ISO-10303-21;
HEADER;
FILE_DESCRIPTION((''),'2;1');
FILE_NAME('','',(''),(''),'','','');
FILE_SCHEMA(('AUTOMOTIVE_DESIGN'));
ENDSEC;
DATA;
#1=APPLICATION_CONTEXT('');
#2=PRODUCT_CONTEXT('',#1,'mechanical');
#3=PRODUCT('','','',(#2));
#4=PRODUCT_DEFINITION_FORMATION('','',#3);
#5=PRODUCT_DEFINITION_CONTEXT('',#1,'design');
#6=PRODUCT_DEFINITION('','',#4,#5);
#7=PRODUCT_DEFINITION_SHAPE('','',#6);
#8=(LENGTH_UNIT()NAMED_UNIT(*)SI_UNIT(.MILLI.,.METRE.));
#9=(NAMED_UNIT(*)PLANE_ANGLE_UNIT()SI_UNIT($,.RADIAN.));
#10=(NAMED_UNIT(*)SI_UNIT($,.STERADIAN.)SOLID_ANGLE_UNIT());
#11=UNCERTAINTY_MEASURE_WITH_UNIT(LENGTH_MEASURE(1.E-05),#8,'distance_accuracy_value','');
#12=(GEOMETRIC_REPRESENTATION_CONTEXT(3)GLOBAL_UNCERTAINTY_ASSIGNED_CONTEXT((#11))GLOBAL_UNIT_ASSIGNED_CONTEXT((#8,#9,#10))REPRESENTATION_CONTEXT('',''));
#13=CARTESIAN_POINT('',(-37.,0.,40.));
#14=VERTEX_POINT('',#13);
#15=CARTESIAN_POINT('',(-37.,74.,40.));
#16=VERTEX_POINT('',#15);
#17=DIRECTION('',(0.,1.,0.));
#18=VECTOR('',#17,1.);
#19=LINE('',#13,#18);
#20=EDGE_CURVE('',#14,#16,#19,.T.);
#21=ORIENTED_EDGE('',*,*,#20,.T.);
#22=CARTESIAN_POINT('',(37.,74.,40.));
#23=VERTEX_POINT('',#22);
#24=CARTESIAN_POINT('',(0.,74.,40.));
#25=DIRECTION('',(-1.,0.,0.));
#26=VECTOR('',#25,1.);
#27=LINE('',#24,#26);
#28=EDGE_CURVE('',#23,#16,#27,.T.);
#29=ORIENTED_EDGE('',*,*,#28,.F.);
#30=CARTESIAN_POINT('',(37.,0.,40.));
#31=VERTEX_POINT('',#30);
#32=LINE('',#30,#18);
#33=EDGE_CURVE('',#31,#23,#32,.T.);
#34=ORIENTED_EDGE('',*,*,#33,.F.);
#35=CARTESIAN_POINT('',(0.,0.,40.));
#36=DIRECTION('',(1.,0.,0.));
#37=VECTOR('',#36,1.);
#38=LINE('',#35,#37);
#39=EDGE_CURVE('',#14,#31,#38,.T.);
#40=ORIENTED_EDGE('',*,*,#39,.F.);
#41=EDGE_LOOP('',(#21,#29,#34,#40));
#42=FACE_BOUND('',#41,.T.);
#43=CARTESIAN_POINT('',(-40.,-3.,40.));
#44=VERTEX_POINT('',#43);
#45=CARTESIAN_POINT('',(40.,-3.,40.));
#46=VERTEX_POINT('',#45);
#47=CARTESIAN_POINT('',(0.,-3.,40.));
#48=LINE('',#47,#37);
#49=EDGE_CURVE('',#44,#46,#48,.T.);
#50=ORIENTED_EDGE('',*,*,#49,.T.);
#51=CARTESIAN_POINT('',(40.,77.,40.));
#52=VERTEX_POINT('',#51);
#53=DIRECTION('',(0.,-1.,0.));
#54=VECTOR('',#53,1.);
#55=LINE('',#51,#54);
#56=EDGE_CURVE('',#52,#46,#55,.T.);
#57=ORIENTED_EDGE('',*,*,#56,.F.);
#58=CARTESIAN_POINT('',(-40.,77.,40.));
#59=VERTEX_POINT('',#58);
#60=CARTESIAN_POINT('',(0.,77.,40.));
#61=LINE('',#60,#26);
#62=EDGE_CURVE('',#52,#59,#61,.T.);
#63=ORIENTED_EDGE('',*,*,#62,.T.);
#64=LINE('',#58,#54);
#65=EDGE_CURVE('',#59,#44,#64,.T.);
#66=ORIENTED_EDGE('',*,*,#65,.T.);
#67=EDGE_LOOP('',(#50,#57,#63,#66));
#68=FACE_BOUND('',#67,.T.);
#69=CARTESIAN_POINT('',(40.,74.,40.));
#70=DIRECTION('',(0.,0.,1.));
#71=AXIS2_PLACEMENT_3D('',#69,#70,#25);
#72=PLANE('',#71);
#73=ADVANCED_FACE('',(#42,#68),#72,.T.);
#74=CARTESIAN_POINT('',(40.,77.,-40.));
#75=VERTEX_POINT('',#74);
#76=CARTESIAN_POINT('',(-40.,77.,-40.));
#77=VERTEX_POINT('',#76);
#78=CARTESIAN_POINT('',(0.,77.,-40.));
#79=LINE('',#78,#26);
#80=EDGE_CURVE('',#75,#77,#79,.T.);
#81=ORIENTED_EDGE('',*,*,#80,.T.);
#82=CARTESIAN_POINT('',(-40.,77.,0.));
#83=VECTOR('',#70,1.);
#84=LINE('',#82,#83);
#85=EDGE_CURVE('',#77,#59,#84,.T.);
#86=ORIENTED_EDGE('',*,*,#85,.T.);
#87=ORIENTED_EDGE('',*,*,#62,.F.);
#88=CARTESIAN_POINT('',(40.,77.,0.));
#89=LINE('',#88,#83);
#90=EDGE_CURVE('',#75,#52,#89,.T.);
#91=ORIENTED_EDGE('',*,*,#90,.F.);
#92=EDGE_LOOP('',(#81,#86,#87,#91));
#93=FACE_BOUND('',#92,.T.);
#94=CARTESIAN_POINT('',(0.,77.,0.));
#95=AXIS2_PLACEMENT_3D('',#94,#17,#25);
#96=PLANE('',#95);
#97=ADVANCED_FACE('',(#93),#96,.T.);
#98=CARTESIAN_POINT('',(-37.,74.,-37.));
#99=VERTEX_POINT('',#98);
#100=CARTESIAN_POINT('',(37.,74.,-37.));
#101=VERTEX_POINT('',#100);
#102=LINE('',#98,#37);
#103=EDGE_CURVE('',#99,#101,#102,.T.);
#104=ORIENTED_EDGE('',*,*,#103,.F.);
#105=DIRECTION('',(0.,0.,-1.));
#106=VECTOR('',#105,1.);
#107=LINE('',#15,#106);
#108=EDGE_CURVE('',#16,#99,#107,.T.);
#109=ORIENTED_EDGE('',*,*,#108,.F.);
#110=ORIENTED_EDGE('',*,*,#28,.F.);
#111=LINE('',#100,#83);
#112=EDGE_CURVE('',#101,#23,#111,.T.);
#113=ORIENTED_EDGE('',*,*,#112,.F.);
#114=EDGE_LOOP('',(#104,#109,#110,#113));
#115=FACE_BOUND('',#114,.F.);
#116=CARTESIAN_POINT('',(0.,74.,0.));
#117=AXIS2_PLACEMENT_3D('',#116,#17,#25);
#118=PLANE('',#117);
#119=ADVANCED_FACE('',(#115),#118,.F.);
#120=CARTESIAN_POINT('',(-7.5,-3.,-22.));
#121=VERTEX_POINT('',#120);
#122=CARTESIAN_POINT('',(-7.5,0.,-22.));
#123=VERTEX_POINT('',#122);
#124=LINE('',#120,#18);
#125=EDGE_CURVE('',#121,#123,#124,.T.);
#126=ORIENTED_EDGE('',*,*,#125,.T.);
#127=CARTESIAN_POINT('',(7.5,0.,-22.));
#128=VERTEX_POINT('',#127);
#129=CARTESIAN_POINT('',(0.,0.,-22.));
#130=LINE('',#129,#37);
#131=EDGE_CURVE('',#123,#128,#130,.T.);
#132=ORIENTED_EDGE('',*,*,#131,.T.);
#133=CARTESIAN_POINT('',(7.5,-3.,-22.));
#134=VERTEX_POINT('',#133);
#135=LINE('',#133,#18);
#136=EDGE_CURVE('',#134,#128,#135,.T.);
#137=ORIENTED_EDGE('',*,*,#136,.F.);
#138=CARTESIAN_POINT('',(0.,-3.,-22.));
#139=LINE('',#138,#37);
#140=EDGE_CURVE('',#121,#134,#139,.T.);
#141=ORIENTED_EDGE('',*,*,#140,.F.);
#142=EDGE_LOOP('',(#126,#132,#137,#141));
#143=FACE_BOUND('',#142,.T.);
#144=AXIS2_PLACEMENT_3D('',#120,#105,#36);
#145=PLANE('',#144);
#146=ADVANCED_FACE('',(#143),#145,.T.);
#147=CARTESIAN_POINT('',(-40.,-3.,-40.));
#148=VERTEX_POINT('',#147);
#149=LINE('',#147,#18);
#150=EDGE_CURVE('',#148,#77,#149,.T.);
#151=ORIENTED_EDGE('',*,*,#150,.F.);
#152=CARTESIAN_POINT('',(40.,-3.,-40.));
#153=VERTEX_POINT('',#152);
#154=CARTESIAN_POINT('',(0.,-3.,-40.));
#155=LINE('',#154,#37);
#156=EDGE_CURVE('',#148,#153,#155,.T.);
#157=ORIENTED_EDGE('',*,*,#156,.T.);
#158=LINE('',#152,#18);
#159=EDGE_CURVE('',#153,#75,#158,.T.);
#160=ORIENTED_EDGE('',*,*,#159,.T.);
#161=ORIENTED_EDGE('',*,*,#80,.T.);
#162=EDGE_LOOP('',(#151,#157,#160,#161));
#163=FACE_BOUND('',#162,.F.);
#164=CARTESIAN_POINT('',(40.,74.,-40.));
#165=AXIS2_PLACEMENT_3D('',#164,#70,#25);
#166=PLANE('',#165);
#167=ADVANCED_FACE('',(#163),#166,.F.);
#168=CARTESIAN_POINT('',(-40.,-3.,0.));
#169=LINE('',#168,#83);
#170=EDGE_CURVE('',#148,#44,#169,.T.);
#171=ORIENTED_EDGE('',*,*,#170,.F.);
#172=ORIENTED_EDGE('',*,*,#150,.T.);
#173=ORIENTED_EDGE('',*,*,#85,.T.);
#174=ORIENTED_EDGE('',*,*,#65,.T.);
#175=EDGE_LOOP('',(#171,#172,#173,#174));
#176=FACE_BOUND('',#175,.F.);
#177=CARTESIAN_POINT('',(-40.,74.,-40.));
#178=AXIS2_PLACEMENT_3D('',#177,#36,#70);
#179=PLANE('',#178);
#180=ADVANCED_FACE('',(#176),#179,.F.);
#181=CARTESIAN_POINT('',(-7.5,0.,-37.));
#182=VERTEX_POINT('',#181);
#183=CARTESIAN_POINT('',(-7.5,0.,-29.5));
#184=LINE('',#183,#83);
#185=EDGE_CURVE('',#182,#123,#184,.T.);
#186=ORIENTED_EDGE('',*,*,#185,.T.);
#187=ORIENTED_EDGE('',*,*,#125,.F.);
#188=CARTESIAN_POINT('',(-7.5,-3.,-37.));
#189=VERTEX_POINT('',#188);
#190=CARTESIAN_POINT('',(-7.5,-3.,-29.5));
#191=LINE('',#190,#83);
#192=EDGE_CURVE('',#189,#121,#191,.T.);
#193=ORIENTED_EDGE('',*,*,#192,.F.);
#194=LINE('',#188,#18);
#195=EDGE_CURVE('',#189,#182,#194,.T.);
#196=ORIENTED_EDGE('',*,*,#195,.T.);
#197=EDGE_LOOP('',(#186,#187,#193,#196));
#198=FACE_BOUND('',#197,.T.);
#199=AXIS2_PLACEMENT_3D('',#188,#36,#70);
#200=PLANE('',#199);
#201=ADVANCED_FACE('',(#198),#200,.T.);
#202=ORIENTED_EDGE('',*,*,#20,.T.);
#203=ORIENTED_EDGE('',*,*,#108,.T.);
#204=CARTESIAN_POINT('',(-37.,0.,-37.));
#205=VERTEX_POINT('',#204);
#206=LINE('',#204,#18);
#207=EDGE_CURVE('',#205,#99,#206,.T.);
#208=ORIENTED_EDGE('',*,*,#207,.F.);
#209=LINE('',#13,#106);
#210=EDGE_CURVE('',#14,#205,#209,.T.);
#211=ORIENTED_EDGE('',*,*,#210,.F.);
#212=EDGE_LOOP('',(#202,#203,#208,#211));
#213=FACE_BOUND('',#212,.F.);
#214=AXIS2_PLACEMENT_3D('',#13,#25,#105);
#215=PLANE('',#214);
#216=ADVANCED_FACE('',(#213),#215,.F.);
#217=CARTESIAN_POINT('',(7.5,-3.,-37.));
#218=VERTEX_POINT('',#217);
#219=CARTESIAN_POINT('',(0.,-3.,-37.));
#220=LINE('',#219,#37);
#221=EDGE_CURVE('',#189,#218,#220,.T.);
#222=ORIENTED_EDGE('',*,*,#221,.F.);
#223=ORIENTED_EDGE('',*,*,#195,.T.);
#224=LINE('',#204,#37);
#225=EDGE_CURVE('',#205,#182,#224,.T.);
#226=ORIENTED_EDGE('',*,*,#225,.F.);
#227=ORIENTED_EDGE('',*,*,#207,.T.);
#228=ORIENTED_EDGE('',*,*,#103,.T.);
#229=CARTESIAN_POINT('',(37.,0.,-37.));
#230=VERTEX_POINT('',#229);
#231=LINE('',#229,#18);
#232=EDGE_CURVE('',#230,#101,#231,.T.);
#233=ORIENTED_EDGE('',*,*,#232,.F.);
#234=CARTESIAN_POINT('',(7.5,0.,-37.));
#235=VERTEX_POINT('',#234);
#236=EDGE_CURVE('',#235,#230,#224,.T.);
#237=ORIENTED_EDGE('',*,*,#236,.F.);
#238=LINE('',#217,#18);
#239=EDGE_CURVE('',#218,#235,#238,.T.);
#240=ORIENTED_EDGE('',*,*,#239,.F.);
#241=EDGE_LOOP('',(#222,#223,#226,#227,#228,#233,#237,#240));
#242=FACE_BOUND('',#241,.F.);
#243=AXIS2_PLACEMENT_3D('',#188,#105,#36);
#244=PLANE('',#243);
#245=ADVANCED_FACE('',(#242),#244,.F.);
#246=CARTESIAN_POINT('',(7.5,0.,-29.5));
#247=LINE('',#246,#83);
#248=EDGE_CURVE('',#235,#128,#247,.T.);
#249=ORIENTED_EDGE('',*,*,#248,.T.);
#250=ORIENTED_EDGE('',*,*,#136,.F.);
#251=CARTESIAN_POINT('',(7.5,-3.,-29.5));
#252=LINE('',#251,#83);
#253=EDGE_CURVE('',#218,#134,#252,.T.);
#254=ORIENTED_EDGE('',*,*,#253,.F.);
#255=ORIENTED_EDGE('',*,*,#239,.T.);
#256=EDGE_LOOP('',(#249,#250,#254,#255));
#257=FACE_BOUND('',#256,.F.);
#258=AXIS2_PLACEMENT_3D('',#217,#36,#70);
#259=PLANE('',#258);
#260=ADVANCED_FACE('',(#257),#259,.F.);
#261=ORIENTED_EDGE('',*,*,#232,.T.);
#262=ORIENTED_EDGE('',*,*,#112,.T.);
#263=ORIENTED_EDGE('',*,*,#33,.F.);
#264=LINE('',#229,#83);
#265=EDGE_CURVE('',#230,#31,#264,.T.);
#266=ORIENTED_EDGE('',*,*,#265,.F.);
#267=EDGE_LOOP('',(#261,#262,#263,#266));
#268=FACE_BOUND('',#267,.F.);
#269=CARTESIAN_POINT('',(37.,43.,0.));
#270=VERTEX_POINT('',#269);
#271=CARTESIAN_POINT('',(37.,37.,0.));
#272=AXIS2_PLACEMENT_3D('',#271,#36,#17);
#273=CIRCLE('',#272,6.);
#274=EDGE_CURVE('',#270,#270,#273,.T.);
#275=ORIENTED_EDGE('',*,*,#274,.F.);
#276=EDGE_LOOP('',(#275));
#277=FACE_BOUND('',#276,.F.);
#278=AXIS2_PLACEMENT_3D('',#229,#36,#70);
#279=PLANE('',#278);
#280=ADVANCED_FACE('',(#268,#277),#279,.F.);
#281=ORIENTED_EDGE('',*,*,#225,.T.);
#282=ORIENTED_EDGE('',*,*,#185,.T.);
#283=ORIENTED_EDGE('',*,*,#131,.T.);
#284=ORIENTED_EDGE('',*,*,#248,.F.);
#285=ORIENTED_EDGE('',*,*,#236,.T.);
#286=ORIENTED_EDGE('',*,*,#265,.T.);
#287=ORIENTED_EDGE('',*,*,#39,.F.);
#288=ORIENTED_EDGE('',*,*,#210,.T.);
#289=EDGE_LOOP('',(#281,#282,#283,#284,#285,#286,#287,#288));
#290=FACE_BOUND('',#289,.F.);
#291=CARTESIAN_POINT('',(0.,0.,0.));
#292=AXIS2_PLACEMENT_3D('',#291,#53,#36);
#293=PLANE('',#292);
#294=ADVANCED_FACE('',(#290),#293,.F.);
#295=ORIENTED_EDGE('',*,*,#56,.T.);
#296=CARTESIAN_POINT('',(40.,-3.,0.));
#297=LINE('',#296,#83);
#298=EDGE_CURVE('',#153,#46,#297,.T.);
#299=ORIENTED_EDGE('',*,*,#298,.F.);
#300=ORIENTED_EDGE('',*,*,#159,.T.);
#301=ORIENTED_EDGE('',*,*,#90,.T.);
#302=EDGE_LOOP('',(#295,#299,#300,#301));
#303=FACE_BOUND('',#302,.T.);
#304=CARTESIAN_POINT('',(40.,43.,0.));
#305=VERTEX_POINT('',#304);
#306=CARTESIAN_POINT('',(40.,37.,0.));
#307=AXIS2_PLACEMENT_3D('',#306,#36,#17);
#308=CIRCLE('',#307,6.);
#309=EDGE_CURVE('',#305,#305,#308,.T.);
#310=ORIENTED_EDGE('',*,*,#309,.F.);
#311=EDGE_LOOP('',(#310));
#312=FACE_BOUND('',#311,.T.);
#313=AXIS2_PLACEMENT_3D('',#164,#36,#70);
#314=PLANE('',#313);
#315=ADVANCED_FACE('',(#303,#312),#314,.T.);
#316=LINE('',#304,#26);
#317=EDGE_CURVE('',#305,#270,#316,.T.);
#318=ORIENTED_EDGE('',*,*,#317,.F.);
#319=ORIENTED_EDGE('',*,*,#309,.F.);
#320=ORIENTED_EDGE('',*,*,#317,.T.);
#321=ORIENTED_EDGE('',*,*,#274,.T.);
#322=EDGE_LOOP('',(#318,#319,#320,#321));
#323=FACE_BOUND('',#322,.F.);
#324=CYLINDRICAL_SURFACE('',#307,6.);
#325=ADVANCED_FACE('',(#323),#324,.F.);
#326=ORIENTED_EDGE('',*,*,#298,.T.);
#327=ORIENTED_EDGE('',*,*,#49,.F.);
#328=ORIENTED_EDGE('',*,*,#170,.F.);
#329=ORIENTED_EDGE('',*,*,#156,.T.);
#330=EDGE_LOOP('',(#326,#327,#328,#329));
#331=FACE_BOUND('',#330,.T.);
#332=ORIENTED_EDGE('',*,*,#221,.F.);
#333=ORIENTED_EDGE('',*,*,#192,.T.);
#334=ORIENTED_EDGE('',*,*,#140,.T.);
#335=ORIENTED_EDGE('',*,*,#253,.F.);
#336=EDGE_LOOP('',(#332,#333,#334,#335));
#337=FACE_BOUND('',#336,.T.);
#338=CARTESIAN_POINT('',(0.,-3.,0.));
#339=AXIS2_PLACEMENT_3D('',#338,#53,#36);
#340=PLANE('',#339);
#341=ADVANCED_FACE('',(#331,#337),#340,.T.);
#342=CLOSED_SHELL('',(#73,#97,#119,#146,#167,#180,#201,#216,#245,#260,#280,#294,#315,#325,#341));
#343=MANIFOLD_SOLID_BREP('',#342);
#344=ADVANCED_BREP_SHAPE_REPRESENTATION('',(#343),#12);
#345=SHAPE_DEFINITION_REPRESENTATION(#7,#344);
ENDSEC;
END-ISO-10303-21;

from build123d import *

# Parameters (mm, degrees)
F0_W     = 80
F0_H     = 80
F1_DEPTH = 3
F3_DEPTH = 74
F4_W     = 80
F4_H     = 80
F5_DEPTH = 3
F6_R     = 6
F7_DEPTH = 3
F8_W     = 15
F8_H     = 15
F9_DEPTH = 3


with BuildPart() as f1:
    # F0 (on Front) → F1 (new body)
    with BuildSketch(Plane.XZ):
        Rectangle(F0_W, F0_H)
    extrude(amount=F1_DEPTH)

    # F2 (on face) → F3 (join)
    with BuildSketch(Plane(origin=(0, 0, 0), x_dir=(-1, 0, 0), z_dir=(0, 1, 0))):
        Polygon((-40, -40), (40, -40), (40, 40), (37, 40), (37, 37), (37, -37), (-37, -37), (-37, 37), (-37, 40), (-40, 40), align=None)
    extrude(amount=F3_DEPTH)

    # F4 (on face) → F5 (join)
    with BuildSketch(Plane(origin=(0, 74, 0), x_dir=(-1, 0, 0), z_dir=(0, 1, 0))):
        Rectangle(F4_W, F4_H)
    extrude(amount=F5_DEPTH)

    # F6 (on face) → F7 (cut)
    with BuildSketch(Plane.YZ.offset(40)):
        with Locations((37, 0)):
            Circle(F6_R)
    extrude(amount=-F7_DEPTH, mode=Mode.SUBTRACT)

    # F8 (on face) → F9 (cut)
    with BuildSketch(Plane.XZ.offset(3)):
        with Locations((0, -29.5)):
            Rectangle(F8_W, F8_H)
    extrude(amount=-F9_DEPTH, mode=Mode.SUBTRACT)


solid = f1.part
